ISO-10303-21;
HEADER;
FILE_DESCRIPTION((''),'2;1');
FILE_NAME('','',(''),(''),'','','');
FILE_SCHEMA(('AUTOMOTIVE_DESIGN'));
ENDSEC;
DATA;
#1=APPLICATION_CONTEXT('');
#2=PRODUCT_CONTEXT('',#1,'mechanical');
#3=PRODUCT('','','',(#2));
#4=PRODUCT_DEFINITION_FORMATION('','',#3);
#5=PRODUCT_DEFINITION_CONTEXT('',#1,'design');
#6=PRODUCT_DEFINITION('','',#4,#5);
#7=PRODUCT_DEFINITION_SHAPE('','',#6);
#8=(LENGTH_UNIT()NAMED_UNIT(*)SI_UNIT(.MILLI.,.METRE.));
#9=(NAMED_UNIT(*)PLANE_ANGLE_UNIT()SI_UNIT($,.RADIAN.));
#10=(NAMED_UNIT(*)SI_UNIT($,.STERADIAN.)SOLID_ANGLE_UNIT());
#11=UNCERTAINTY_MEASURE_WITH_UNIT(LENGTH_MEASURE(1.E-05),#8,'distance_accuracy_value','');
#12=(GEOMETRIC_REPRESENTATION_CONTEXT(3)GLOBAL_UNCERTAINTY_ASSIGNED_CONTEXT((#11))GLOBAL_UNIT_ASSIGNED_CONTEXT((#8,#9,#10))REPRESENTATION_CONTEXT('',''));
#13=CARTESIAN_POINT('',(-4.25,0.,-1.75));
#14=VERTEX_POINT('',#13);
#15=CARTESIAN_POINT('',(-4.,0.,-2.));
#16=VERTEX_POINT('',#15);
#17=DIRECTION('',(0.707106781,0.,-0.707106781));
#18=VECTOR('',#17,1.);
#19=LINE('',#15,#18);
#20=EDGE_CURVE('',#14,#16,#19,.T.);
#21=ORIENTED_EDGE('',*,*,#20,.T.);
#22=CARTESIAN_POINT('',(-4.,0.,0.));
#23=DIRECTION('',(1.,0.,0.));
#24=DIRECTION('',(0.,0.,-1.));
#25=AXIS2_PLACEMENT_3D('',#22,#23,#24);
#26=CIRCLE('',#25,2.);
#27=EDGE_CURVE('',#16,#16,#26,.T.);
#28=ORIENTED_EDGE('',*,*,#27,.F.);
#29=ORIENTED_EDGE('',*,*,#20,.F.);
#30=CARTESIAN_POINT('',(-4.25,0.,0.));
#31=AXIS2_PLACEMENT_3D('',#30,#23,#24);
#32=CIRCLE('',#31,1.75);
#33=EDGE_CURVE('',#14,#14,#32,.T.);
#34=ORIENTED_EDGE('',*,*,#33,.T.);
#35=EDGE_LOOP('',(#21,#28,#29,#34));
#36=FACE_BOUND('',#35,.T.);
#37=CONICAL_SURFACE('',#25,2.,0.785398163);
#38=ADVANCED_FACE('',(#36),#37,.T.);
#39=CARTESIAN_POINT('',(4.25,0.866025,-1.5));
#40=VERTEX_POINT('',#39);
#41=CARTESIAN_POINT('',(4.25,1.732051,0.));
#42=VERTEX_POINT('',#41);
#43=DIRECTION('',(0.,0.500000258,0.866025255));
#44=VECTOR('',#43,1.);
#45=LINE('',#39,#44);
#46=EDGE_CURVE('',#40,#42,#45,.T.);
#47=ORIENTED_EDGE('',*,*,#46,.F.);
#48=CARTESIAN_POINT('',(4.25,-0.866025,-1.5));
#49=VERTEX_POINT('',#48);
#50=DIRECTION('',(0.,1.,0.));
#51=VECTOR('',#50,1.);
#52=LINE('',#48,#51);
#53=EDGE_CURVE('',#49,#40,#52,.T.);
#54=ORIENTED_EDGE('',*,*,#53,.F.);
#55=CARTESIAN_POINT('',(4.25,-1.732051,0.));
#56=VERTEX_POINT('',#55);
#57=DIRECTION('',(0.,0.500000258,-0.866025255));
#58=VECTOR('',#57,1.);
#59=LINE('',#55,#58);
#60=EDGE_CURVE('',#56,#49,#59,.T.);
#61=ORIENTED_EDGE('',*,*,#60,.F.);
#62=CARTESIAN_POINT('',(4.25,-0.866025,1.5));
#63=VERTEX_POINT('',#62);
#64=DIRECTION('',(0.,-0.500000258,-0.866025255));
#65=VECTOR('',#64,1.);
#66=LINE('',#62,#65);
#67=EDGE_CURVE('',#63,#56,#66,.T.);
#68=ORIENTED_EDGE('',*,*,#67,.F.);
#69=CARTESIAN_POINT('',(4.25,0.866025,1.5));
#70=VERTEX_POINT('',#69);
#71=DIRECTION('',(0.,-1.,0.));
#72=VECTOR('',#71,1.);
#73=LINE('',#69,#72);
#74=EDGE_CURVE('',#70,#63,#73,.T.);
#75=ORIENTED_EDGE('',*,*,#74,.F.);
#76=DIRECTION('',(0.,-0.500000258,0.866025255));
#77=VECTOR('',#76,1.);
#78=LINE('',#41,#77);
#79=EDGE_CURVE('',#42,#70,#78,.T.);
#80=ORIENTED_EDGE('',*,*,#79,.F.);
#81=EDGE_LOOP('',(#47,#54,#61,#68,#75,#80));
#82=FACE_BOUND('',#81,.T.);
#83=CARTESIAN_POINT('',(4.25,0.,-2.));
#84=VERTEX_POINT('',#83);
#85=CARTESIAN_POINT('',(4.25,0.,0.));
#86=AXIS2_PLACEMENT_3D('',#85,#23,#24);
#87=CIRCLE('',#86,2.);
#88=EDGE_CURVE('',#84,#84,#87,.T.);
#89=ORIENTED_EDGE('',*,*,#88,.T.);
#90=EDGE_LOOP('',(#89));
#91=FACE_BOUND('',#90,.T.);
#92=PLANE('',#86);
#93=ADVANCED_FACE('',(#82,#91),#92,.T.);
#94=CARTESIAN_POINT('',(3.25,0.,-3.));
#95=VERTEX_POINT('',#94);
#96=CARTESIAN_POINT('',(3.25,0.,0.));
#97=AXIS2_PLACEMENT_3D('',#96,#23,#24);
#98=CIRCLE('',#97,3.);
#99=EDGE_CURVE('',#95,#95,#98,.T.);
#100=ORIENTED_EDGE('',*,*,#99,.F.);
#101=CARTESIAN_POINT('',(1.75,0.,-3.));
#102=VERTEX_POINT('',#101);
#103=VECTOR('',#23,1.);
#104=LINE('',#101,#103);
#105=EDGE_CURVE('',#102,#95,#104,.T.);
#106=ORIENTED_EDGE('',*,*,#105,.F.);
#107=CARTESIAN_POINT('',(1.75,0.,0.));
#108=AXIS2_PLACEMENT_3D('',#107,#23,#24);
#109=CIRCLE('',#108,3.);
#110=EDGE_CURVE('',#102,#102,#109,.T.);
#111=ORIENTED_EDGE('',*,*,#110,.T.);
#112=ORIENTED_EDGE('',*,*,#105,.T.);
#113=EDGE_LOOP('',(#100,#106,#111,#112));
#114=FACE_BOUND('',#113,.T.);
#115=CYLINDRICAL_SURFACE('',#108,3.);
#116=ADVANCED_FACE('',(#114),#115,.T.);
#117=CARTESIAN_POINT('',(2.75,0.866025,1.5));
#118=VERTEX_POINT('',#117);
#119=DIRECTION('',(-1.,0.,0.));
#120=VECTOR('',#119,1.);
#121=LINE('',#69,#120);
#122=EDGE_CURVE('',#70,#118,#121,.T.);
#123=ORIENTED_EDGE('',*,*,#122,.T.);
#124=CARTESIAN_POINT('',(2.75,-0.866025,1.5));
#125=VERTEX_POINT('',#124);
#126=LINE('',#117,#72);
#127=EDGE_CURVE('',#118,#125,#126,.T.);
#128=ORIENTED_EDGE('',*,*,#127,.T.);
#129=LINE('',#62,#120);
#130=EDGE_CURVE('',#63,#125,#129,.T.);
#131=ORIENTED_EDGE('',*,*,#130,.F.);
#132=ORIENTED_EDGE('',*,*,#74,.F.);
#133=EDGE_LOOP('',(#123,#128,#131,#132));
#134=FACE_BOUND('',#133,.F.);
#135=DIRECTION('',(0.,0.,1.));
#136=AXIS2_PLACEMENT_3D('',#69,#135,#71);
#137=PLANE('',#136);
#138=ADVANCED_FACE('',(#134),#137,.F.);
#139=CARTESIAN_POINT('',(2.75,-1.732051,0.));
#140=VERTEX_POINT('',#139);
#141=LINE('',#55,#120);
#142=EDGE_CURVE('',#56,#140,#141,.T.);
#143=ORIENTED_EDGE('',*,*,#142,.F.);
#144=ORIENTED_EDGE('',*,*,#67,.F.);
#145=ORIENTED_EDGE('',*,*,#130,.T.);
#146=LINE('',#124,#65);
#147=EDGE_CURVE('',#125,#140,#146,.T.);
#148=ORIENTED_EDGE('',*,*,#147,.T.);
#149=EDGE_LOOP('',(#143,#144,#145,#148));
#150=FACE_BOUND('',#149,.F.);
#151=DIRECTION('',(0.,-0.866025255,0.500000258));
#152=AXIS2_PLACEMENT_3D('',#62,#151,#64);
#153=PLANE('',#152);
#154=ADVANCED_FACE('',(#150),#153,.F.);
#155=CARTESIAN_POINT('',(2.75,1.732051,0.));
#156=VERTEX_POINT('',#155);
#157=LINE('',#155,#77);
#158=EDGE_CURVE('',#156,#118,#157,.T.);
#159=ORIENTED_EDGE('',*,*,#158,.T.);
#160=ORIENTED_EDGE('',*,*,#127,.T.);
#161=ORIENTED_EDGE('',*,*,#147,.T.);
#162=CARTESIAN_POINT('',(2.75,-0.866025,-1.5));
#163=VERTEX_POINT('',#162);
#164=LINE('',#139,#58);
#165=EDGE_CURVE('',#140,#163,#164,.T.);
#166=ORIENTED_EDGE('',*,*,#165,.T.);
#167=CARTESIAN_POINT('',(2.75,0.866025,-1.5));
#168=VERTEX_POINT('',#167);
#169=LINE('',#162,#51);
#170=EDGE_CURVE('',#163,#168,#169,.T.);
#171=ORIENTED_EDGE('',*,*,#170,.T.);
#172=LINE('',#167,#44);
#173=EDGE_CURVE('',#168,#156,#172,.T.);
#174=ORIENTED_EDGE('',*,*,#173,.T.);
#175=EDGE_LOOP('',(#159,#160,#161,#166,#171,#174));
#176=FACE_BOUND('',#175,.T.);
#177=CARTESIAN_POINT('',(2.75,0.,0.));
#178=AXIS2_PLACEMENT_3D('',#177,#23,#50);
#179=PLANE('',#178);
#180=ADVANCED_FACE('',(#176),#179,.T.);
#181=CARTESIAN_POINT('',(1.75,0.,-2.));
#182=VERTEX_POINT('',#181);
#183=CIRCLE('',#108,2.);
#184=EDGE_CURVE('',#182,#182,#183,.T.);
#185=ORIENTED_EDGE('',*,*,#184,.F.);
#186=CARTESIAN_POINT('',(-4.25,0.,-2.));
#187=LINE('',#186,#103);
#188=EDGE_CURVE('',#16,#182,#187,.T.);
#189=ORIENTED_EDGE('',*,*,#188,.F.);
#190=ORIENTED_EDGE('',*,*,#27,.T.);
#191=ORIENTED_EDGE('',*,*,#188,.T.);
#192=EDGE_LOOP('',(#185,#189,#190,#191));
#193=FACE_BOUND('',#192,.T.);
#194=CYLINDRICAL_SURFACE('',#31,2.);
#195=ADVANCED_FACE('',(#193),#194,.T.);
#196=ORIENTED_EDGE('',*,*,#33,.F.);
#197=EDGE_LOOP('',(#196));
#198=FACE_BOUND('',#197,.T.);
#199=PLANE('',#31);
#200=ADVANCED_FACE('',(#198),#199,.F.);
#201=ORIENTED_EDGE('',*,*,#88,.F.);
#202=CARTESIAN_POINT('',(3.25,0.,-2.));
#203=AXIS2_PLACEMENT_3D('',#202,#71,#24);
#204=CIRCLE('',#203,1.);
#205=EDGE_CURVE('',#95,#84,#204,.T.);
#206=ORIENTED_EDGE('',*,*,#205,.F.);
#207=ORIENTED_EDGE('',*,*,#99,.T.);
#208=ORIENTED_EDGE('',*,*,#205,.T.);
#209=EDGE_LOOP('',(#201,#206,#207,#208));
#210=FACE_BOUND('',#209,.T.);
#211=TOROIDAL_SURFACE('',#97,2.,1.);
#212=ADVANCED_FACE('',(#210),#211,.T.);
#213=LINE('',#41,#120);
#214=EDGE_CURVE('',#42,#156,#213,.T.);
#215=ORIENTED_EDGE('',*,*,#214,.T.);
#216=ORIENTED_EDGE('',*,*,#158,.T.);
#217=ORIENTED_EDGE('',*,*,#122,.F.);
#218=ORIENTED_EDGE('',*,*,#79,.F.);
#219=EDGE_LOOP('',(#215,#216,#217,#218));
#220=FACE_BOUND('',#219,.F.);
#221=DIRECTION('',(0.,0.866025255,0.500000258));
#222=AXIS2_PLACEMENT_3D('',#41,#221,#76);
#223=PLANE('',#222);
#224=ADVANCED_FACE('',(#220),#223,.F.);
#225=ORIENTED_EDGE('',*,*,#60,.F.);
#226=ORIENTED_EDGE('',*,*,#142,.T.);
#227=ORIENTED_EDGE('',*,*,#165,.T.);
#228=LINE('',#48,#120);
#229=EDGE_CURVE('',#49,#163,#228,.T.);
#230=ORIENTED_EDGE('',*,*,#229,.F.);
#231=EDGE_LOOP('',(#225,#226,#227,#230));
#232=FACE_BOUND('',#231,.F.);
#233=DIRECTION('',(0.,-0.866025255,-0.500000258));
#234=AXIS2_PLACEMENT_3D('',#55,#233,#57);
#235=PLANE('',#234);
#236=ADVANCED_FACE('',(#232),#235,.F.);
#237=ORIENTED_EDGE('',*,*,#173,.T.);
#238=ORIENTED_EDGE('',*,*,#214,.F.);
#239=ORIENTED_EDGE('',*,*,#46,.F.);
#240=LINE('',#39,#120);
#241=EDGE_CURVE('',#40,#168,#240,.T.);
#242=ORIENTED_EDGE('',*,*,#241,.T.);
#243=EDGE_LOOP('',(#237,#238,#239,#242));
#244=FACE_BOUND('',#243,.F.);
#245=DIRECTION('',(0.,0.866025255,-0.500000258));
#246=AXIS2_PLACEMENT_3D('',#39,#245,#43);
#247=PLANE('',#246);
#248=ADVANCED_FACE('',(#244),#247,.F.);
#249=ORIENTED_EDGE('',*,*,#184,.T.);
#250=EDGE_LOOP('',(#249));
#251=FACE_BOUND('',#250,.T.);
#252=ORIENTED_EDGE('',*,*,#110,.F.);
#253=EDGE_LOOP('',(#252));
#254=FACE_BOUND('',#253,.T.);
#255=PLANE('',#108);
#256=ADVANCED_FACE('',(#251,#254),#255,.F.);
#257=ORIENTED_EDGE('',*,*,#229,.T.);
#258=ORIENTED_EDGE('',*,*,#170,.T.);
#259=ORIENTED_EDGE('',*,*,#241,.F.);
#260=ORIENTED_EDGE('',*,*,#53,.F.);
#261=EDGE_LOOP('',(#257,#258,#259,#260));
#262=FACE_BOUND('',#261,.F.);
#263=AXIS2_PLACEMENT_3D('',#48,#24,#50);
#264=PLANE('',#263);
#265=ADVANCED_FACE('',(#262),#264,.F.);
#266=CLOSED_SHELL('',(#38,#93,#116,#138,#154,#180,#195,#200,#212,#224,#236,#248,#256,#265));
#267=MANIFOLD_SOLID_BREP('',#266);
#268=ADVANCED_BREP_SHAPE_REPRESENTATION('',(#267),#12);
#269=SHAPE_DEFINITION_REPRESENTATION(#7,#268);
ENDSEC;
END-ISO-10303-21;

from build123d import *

# Parameters (mm, degrees)
F2_SIZE2 = 0.25
F2_SIZE  = 0.25
F3_R     = 1
F5_DEPTH = 1.5


with BuildPart() as f1:
    # F0 (on Front) → F1 (revolve)
    with BuildSketch(Plane.XZ):
        Polygon((4.25, 0), (-4.25, 0), (-4.25, -2), (1.75, -2), (1.75, -3), (4.25, -3), align=None)
    revolve(axis=Axis((4.160319, 0, 0), (1, 0, 0)))

    # F2
    f2_edges = [f1.edges().sort_by_distance(p)[0] for p in [
        (-4.25, 0, 2),
    ]]
    chamfer(f2_edges, length=F2_SIZE, length2=F2_SIZE2)

    # F3
    f3_edges = [f1.edges().sort_by_distance(p)[0] for p in [
        (4.25, 0, 3),
    ]]
    fillet(f3_edges, radius=F3_R)

    # F4 (on face) → F5 (cut)
    with BuildSketch(Plane.YZ.offset(4.25)):
        Polygon((0.866025, 1.5), (-0.866025, 1.5), (-1.732051, 0), (-0.866025, -1.5), (0.866025, -1.5), (1.732051, 0), align=None)
    extrude(amount=-F5_DEPTH, mode=Mode.SUBTRACT)


solid = f1.part
